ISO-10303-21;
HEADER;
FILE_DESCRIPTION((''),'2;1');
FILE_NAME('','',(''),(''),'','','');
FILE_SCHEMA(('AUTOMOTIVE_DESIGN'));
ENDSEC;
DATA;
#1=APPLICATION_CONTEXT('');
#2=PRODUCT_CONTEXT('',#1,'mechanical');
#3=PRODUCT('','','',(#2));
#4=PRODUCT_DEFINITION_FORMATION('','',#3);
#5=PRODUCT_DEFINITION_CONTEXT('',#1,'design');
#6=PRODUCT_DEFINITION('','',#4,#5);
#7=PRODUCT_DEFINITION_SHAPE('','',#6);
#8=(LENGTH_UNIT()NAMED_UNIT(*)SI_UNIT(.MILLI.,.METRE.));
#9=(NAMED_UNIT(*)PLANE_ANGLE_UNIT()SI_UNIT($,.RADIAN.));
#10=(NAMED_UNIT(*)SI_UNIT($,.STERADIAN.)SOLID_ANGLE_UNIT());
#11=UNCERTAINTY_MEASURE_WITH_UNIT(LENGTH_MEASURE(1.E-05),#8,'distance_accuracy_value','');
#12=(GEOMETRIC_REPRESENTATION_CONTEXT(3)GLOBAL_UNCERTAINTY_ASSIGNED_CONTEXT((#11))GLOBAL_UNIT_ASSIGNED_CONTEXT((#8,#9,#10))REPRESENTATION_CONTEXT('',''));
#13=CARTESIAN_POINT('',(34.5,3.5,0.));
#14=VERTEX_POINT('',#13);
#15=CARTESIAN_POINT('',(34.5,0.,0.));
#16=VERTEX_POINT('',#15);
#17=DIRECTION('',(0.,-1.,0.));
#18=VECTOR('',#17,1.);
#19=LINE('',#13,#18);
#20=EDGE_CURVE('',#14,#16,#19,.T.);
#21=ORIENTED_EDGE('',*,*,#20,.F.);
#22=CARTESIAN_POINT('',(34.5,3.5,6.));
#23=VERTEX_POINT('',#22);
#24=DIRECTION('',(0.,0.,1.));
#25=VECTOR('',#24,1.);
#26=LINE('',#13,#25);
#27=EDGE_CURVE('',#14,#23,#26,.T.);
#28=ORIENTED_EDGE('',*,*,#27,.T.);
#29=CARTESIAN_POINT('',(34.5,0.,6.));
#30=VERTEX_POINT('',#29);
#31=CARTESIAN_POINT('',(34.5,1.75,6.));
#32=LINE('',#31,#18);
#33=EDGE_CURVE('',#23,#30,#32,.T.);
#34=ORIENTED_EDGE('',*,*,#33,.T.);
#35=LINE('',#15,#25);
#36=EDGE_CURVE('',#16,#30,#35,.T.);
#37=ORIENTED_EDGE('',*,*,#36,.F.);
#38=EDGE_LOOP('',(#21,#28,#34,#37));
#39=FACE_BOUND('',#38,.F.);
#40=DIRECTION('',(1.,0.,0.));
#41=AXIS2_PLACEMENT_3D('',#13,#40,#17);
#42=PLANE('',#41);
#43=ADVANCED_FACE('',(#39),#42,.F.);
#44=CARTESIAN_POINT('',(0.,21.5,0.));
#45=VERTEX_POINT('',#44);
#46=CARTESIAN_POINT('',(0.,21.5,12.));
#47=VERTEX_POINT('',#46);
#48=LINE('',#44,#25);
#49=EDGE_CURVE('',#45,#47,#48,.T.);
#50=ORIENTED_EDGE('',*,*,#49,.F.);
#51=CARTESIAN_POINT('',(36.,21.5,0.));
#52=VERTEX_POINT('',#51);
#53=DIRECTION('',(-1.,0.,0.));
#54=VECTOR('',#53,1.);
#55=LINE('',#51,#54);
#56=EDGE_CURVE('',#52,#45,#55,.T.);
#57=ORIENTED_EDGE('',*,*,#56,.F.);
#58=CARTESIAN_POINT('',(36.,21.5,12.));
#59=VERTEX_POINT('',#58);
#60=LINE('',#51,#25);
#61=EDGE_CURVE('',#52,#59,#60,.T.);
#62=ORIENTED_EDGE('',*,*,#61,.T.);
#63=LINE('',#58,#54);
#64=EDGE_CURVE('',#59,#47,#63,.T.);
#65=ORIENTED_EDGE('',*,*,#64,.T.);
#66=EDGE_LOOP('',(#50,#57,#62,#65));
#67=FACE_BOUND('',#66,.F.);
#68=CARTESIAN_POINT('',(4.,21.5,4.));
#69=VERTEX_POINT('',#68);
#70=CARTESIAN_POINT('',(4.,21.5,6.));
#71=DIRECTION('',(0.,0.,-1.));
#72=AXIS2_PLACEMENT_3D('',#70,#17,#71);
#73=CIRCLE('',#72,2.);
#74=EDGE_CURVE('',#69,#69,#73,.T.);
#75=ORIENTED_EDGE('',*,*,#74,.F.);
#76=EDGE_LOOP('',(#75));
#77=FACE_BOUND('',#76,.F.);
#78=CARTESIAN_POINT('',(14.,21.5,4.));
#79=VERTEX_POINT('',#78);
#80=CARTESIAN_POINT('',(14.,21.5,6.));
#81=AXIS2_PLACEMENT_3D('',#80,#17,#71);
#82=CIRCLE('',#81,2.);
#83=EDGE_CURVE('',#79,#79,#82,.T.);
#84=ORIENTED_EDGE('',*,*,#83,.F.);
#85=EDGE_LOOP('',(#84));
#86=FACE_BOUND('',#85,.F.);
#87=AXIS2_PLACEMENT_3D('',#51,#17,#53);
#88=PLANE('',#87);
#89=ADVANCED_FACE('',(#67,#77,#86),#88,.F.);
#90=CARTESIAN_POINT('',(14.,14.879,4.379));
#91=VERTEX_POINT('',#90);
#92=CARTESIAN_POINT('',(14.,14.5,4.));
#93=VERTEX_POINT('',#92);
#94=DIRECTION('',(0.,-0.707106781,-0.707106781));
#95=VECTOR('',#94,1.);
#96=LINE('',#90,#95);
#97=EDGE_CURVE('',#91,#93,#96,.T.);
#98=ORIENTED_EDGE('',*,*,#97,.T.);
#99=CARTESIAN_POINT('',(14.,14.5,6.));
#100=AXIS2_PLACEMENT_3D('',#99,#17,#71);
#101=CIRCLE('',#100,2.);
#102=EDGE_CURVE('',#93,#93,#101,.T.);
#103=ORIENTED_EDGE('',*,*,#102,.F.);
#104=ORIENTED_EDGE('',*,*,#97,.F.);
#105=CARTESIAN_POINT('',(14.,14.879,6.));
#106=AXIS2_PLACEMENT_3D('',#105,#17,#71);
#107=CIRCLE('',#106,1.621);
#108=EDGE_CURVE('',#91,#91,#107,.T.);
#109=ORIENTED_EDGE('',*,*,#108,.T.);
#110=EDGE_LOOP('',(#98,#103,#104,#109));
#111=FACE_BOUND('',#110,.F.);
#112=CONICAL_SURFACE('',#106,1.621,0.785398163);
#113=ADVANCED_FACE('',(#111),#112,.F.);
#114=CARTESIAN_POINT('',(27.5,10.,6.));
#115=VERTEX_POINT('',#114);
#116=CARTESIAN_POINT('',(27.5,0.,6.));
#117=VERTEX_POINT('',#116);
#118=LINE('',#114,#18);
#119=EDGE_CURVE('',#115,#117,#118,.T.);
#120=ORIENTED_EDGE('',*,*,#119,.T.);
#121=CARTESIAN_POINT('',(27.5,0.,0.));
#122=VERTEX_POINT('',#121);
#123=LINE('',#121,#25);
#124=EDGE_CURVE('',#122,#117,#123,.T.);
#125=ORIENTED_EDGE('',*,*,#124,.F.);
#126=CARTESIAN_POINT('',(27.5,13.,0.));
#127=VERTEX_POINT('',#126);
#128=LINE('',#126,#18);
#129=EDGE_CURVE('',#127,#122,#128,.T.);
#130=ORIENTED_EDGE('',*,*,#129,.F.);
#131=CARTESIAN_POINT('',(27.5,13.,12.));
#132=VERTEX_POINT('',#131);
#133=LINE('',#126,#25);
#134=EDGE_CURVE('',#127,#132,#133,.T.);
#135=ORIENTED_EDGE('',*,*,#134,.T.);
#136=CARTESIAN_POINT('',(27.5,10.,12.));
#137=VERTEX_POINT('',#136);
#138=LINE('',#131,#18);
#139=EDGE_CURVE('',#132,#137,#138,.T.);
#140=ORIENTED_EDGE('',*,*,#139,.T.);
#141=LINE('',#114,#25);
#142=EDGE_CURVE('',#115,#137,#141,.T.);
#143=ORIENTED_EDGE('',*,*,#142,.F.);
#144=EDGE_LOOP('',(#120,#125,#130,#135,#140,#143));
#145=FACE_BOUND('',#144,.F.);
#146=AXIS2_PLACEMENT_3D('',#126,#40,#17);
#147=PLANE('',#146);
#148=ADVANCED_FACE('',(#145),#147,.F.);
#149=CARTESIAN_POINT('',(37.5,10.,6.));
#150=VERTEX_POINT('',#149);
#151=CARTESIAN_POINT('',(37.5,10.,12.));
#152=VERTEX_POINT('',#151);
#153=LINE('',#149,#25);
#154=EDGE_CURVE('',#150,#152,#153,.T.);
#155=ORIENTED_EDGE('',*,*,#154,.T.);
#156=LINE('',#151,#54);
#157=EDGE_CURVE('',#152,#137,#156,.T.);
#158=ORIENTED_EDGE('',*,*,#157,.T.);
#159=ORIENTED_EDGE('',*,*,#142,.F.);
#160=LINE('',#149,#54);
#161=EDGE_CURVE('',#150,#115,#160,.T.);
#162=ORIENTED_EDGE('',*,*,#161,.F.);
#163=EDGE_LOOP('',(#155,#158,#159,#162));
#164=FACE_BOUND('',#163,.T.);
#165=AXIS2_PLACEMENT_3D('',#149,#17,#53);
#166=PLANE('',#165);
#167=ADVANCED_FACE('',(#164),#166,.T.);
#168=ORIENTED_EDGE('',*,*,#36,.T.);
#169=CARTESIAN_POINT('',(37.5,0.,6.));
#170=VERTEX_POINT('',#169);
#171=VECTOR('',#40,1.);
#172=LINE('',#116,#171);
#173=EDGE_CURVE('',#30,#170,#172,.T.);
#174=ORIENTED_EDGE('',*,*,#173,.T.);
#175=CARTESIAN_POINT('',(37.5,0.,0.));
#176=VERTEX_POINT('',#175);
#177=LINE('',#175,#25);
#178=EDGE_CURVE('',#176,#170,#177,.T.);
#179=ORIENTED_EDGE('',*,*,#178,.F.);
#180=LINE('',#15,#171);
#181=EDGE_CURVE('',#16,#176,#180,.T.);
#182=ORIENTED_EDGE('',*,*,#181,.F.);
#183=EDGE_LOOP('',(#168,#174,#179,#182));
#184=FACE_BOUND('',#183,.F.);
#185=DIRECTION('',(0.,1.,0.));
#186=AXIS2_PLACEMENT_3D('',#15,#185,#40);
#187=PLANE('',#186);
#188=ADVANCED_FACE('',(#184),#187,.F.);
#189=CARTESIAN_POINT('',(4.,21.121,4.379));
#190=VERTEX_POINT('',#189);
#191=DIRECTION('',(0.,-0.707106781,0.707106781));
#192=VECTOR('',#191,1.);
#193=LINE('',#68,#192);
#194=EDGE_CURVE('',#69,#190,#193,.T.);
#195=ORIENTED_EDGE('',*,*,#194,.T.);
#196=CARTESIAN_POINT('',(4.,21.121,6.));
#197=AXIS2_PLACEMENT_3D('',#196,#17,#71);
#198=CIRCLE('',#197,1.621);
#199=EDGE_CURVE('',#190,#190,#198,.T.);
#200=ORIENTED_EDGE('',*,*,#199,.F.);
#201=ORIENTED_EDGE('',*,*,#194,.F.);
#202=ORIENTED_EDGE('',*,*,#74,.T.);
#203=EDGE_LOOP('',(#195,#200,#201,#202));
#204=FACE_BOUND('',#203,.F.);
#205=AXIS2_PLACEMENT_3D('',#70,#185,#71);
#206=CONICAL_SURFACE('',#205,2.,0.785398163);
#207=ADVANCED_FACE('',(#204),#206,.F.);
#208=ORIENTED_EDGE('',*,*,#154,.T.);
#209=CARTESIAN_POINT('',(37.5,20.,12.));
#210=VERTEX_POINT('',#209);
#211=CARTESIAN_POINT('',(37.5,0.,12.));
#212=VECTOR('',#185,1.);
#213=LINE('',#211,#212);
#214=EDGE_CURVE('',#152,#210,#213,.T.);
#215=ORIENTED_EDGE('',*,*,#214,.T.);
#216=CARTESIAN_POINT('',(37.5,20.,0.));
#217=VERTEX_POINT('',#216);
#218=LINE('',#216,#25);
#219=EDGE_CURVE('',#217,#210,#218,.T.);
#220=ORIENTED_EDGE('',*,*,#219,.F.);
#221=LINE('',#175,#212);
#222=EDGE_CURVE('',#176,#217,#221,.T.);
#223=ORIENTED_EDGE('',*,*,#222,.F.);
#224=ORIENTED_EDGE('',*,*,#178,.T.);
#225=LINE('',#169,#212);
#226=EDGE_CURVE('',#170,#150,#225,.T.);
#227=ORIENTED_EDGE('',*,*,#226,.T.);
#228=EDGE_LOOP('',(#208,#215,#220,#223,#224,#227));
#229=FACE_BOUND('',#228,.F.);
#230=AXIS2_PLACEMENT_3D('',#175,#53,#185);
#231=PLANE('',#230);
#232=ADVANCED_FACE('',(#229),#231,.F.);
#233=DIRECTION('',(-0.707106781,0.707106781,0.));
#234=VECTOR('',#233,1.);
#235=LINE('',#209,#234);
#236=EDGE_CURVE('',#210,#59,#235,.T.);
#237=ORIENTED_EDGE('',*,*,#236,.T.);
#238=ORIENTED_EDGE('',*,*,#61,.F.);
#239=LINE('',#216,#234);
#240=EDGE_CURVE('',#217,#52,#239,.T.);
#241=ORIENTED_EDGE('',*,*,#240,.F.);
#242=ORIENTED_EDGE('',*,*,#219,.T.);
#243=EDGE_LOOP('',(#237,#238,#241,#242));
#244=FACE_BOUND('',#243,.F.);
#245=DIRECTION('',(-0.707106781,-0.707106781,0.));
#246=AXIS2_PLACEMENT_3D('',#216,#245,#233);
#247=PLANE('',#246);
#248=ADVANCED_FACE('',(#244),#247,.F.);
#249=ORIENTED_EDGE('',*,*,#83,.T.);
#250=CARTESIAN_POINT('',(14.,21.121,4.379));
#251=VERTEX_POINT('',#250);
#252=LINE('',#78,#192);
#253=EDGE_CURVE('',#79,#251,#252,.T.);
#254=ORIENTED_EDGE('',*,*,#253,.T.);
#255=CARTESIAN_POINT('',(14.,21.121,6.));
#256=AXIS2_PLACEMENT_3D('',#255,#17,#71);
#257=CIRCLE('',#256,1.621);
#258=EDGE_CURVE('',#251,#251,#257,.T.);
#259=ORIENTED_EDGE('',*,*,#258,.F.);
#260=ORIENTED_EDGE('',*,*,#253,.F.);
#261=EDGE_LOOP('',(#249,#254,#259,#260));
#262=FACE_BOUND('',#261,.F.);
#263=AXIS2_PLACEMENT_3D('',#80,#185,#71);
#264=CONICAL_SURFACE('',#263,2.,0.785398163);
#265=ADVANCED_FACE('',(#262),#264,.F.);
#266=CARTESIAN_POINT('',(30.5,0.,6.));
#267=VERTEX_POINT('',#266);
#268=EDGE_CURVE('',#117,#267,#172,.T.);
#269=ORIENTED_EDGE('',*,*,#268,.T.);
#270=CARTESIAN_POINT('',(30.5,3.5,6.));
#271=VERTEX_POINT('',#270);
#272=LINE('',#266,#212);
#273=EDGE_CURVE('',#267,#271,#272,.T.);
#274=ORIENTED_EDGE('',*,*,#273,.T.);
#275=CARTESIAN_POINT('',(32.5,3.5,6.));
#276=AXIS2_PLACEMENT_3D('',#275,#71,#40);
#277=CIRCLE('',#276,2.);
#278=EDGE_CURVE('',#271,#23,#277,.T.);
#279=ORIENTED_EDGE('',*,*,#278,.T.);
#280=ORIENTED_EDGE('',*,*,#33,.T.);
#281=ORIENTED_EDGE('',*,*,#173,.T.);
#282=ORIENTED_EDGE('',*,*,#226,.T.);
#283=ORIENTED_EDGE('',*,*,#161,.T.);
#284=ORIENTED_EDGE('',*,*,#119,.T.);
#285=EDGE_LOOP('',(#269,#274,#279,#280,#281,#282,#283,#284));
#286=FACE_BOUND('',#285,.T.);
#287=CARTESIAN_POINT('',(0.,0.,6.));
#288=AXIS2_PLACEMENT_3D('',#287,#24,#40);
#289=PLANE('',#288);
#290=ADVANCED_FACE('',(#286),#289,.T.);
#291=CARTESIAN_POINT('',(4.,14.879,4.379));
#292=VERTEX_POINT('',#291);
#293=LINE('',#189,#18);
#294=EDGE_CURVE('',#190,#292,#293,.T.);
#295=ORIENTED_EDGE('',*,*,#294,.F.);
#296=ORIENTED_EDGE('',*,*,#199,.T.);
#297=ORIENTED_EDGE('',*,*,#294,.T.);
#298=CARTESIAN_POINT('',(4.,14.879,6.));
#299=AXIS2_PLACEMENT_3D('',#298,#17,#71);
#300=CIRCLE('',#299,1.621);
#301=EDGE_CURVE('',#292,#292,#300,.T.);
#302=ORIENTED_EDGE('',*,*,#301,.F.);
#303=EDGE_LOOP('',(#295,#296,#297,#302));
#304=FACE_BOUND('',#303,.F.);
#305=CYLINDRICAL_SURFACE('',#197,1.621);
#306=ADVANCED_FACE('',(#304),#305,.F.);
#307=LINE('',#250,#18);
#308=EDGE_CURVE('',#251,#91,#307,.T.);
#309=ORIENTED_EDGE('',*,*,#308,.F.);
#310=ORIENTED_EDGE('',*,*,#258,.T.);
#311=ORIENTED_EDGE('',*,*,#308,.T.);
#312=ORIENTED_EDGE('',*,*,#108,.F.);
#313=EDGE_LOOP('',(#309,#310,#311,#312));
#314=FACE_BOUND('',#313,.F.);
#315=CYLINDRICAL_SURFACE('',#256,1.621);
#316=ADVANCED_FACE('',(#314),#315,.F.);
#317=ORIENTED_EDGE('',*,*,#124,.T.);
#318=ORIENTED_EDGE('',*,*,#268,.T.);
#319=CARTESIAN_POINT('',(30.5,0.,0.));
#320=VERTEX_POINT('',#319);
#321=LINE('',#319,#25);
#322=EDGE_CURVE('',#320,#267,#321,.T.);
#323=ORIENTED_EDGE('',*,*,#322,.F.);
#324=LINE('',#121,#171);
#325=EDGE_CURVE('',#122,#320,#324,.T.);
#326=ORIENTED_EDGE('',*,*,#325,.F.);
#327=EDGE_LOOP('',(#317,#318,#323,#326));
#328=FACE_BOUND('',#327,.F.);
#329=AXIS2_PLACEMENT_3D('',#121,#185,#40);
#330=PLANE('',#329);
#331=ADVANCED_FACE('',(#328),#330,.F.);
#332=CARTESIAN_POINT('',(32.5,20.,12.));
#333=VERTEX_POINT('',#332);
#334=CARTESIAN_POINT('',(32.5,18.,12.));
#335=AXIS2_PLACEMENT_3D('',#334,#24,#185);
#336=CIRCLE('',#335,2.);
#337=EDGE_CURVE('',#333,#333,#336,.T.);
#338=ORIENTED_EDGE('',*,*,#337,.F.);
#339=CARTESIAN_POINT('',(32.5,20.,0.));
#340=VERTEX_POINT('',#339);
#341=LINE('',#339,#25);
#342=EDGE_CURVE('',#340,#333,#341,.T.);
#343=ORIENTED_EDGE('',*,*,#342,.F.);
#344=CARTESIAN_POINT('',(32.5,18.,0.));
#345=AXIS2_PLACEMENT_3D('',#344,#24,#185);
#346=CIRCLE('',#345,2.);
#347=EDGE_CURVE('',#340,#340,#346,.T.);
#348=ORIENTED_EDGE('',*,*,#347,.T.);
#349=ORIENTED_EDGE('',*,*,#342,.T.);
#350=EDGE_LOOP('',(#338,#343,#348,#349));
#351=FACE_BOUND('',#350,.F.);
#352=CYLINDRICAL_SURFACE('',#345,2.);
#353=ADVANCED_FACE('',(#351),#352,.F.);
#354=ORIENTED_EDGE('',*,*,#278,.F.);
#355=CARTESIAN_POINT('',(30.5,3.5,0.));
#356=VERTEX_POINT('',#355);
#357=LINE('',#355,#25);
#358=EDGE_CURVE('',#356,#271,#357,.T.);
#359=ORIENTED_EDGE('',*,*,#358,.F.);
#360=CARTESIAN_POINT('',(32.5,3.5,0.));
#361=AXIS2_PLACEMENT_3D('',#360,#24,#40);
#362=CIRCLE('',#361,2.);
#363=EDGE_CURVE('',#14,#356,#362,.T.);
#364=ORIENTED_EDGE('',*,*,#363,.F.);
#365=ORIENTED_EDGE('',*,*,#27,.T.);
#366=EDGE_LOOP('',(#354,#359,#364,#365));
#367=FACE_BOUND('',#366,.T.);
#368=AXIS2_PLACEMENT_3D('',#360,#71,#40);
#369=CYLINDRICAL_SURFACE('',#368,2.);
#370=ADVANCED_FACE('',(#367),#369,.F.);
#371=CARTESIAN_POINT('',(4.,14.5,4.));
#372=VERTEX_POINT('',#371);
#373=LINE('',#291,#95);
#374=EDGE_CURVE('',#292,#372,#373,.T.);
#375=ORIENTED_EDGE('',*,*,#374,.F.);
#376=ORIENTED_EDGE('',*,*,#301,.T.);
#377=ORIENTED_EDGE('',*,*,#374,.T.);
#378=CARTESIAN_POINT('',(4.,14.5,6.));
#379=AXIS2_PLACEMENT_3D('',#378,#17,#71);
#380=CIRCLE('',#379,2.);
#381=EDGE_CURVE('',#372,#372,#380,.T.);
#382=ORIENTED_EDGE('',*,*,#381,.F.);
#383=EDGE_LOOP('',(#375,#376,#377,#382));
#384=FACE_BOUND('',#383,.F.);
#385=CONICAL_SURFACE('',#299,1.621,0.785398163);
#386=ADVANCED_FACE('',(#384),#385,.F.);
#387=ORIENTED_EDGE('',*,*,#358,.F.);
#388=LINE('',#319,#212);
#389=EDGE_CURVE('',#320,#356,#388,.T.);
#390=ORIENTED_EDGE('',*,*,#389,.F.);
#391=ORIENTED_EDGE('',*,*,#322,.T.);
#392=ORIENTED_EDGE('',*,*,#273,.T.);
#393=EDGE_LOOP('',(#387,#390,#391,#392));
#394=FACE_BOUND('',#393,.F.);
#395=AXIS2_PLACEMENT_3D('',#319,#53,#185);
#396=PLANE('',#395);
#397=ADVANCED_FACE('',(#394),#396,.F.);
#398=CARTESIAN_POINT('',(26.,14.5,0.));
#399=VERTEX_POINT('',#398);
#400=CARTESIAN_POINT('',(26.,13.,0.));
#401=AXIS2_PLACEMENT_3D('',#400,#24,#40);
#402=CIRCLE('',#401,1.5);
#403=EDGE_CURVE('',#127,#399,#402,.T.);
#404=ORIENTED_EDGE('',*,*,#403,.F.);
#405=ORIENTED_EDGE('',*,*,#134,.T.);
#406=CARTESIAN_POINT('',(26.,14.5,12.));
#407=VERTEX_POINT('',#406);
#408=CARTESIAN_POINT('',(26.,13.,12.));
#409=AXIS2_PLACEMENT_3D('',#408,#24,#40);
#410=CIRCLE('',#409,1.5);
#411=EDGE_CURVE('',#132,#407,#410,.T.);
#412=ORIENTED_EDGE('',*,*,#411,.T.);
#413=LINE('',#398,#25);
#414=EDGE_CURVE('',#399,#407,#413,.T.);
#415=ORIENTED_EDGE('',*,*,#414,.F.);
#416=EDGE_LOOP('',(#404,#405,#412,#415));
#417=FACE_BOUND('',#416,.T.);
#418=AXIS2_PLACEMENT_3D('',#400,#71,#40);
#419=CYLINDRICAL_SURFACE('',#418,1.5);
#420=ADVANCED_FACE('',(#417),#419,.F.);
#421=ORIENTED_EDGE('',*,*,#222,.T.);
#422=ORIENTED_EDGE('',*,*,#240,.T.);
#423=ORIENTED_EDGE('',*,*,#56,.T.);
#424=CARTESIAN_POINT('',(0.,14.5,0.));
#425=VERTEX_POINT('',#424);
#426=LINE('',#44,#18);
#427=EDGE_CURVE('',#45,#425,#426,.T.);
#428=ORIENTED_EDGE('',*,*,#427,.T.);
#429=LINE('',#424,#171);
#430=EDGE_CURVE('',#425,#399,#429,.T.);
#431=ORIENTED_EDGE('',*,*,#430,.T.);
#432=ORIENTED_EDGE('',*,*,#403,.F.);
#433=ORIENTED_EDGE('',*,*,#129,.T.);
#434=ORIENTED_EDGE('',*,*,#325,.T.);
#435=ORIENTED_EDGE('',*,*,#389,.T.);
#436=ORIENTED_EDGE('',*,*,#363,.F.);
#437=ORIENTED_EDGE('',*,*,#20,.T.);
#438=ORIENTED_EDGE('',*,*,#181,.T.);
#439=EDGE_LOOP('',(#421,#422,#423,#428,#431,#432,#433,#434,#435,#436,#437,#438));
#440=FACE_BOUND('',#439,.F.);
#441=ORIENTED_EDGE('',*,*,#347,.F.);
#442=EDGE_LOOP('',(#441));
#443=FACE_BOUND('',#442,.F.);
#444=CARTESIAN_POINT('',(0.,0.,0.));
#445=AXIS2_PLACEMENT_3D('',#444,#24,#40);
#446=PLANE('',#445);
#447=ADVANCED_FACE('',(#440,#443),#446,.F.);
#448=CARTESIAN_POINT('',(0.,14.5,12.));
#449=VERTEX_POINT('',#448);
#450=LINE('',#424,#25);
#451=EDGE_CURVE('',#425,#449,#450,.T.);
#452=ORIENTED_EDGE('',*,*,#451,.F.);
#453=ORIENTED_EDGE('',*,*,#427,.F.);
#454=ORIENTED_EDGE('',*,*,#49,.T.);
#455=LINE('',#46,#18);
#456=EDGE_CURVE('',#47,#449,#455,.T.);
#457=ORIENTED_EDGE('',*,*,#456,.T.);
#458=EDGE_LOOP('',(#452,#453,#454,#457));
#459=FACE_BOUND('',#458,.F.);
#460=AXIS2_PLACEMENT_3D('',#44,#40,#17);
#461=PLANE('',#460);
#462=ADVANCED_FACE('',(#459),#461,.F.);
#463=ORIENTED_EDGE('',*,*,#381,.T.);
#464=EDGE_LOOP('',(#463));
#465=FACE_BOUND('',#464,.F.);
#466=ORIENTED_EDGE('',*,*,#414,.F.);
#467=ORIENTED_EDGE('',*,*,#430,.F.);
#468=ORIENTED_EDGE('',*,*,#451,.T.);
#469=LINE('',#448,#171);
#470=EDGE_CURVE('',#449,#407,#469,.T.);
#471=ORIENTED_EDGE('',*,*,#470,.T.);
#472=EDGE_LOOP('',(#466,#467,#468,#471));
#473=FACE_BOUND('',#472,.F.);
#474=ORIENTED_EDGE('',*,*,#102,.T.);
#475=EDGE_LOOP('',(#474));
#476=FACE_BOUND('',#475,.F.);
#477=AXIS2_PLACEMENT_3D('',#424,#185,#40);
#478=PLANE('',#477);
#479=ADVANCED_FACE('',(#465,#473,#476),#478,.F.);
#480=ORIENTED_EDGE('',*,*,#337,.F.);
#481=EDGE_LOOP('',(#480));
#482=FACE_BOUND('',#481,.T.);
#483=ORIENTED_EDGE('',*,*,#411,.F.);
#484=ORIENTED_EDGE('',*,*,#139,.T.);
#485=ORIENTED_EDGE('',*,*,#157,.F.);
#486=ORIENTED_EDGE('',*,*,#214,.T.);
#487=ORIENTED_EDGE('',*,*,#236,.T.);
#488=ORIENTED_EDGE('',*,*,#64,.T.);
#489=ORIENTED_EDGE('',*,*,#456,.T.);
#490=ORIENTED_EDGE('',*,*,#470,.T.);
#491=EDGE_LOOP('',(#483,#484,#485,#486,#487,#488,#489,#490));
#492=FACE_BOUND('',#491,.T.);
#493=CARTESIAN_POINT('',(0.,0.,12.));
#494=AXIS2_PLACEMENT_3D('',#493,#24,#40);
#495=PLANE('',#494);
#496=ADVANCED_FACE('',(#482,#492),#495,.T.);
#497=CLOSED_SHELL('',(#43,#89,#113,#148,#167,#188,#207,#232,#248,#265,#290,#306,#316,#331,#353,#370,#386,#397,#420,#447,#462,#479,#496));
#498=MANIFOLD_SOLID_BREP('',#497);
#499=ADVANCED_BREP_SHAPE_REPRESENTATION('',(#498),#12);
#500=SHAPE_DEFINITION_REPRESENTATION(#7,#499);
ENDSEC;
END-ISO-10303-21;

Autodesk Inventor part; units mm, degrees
sketch "Sketch_1" plane through (0, 0, 0) normal (0, 0, 1) x (1, 0, 0)
  line L0 (0, 14.5) -> (26, 14.5)
  arc A0 (27.5, 13) -> (26, 14.5) centre (26, 13) ccw
  line L1 (27.5, 13) -> (27.5, 0)
  line L2 (27.5, 0) -> (30.5, 0)
  line L3 (30.5, 0) -> (30.5, 3.5)
  arc A1 (34.5, 3.5) -> (30.5, 3.5) centre (32.5, 3.5) ccw
  line L4 (34.5, 3.5) -> (34.5, 0)
  line L5 (34.5, 0) -> (37.5, 0)
  line L6 (37.5, 0) -> (37.5, 20)
  line L7 (37.5, 20) -> (36, 21.5)
  line L8 (36, 21.5) -> (0, 21.5)
  line L9 (0, 21.5) -> (0, 14.5)
extrude "Extrusion1" add sketch "Sketch_1" along normal blind 12
sketch "Sketch2" plane through (0, 0, 0) normal (0, 0, -1) x (-1, 0, 0)
  point P0 (-32.5, 18)
hole "Hole1" at (32.5, 18, 0) direction (0, 0, 1) diameter 4 depth 12
sketch "Sketch_3" plane through (4, 0, 0) normal (1, 0, 0) x (0, 0, -1)
  line L0 (-6, 14.5) -> (-6, 21.5)
  line L1 (-6, 21.5) -> (-4, 21.5)
  line L2 (-4, 21.5) -> (-4.379, 21.121)
  line L3 (-4.379, 21.121) -> (-4.379, 14.879)
  line L4 (-4.379, 14.879) -> (-4, 14.5)
  line L5 (-4, 14.5) -> (-6, 14.5)
  line L6 (-6, 14.5) -> (-6, 21.5)
revolve "Revolution1" cut sketch "Sketch_3" angle 360 about axis through (4, 14.5, 6) along (0, -1, 0)
thread "Thread1" size "M4x0.7" class "6H" standard "ISO Metric profile" full length
sketch "Sketch_4" plane through (14, 0, 0) normal (1, 0, 0) x (0, 0, -1)
  line L0 (-6, 14.5) -> (-6, 21.5)
  line L1 (-6, 21.5) -> (-4, 21.5)
  line L2 (-4, 21.5) -> (-4.379, 21.121)
  line L3 (-4.379, 21.121) -> (-4.379, 14.879)
  line L4 (-4.379, 14.879) -> (-4, 14.5)
  line L5 (-4, 14.5) -> (-6, 14.5)
  line L6 (-6, 14.5) -> (-6, 21.5)
revolve "Revolution2" cut sketch "Sketch_4" angle 360 about axis through (14, 14.5, 6) along (0, -1, 0)
thread "Thread2" size "M4x0.7" class "6H" standard "ISO Metric profile" full length
sketch "Sketch_6" plane through (0, 0, 6) normal (0, 0, 1) x (1, 0, 0)
  line L0 (27.5, 0) -> (37.5, 0)
  line L1 (37.5, 0) -> (37.5, 10)
  line L2 (37.5, 10) -> (27.5, 10)
  line L3 (27.5, 10) -> (27.5, 0)
extrude "Extrusion2" cut sketch "Sketch_6" along normal blind 6
ref_plane "body_XY" through (32.5, 18, 6) normal (0, 0, 1) x (1, 0, 0)
ref_plane "body_YZ" through (32.5, 18, 6) normal (1, 0, 0) x (0, 1, 0)
ref_plane "body_ZX" through (32.5, 18, 6) normal (0, 1, 0) x (0, 0, 1)
properties part number "MCHA-20_(g)"
